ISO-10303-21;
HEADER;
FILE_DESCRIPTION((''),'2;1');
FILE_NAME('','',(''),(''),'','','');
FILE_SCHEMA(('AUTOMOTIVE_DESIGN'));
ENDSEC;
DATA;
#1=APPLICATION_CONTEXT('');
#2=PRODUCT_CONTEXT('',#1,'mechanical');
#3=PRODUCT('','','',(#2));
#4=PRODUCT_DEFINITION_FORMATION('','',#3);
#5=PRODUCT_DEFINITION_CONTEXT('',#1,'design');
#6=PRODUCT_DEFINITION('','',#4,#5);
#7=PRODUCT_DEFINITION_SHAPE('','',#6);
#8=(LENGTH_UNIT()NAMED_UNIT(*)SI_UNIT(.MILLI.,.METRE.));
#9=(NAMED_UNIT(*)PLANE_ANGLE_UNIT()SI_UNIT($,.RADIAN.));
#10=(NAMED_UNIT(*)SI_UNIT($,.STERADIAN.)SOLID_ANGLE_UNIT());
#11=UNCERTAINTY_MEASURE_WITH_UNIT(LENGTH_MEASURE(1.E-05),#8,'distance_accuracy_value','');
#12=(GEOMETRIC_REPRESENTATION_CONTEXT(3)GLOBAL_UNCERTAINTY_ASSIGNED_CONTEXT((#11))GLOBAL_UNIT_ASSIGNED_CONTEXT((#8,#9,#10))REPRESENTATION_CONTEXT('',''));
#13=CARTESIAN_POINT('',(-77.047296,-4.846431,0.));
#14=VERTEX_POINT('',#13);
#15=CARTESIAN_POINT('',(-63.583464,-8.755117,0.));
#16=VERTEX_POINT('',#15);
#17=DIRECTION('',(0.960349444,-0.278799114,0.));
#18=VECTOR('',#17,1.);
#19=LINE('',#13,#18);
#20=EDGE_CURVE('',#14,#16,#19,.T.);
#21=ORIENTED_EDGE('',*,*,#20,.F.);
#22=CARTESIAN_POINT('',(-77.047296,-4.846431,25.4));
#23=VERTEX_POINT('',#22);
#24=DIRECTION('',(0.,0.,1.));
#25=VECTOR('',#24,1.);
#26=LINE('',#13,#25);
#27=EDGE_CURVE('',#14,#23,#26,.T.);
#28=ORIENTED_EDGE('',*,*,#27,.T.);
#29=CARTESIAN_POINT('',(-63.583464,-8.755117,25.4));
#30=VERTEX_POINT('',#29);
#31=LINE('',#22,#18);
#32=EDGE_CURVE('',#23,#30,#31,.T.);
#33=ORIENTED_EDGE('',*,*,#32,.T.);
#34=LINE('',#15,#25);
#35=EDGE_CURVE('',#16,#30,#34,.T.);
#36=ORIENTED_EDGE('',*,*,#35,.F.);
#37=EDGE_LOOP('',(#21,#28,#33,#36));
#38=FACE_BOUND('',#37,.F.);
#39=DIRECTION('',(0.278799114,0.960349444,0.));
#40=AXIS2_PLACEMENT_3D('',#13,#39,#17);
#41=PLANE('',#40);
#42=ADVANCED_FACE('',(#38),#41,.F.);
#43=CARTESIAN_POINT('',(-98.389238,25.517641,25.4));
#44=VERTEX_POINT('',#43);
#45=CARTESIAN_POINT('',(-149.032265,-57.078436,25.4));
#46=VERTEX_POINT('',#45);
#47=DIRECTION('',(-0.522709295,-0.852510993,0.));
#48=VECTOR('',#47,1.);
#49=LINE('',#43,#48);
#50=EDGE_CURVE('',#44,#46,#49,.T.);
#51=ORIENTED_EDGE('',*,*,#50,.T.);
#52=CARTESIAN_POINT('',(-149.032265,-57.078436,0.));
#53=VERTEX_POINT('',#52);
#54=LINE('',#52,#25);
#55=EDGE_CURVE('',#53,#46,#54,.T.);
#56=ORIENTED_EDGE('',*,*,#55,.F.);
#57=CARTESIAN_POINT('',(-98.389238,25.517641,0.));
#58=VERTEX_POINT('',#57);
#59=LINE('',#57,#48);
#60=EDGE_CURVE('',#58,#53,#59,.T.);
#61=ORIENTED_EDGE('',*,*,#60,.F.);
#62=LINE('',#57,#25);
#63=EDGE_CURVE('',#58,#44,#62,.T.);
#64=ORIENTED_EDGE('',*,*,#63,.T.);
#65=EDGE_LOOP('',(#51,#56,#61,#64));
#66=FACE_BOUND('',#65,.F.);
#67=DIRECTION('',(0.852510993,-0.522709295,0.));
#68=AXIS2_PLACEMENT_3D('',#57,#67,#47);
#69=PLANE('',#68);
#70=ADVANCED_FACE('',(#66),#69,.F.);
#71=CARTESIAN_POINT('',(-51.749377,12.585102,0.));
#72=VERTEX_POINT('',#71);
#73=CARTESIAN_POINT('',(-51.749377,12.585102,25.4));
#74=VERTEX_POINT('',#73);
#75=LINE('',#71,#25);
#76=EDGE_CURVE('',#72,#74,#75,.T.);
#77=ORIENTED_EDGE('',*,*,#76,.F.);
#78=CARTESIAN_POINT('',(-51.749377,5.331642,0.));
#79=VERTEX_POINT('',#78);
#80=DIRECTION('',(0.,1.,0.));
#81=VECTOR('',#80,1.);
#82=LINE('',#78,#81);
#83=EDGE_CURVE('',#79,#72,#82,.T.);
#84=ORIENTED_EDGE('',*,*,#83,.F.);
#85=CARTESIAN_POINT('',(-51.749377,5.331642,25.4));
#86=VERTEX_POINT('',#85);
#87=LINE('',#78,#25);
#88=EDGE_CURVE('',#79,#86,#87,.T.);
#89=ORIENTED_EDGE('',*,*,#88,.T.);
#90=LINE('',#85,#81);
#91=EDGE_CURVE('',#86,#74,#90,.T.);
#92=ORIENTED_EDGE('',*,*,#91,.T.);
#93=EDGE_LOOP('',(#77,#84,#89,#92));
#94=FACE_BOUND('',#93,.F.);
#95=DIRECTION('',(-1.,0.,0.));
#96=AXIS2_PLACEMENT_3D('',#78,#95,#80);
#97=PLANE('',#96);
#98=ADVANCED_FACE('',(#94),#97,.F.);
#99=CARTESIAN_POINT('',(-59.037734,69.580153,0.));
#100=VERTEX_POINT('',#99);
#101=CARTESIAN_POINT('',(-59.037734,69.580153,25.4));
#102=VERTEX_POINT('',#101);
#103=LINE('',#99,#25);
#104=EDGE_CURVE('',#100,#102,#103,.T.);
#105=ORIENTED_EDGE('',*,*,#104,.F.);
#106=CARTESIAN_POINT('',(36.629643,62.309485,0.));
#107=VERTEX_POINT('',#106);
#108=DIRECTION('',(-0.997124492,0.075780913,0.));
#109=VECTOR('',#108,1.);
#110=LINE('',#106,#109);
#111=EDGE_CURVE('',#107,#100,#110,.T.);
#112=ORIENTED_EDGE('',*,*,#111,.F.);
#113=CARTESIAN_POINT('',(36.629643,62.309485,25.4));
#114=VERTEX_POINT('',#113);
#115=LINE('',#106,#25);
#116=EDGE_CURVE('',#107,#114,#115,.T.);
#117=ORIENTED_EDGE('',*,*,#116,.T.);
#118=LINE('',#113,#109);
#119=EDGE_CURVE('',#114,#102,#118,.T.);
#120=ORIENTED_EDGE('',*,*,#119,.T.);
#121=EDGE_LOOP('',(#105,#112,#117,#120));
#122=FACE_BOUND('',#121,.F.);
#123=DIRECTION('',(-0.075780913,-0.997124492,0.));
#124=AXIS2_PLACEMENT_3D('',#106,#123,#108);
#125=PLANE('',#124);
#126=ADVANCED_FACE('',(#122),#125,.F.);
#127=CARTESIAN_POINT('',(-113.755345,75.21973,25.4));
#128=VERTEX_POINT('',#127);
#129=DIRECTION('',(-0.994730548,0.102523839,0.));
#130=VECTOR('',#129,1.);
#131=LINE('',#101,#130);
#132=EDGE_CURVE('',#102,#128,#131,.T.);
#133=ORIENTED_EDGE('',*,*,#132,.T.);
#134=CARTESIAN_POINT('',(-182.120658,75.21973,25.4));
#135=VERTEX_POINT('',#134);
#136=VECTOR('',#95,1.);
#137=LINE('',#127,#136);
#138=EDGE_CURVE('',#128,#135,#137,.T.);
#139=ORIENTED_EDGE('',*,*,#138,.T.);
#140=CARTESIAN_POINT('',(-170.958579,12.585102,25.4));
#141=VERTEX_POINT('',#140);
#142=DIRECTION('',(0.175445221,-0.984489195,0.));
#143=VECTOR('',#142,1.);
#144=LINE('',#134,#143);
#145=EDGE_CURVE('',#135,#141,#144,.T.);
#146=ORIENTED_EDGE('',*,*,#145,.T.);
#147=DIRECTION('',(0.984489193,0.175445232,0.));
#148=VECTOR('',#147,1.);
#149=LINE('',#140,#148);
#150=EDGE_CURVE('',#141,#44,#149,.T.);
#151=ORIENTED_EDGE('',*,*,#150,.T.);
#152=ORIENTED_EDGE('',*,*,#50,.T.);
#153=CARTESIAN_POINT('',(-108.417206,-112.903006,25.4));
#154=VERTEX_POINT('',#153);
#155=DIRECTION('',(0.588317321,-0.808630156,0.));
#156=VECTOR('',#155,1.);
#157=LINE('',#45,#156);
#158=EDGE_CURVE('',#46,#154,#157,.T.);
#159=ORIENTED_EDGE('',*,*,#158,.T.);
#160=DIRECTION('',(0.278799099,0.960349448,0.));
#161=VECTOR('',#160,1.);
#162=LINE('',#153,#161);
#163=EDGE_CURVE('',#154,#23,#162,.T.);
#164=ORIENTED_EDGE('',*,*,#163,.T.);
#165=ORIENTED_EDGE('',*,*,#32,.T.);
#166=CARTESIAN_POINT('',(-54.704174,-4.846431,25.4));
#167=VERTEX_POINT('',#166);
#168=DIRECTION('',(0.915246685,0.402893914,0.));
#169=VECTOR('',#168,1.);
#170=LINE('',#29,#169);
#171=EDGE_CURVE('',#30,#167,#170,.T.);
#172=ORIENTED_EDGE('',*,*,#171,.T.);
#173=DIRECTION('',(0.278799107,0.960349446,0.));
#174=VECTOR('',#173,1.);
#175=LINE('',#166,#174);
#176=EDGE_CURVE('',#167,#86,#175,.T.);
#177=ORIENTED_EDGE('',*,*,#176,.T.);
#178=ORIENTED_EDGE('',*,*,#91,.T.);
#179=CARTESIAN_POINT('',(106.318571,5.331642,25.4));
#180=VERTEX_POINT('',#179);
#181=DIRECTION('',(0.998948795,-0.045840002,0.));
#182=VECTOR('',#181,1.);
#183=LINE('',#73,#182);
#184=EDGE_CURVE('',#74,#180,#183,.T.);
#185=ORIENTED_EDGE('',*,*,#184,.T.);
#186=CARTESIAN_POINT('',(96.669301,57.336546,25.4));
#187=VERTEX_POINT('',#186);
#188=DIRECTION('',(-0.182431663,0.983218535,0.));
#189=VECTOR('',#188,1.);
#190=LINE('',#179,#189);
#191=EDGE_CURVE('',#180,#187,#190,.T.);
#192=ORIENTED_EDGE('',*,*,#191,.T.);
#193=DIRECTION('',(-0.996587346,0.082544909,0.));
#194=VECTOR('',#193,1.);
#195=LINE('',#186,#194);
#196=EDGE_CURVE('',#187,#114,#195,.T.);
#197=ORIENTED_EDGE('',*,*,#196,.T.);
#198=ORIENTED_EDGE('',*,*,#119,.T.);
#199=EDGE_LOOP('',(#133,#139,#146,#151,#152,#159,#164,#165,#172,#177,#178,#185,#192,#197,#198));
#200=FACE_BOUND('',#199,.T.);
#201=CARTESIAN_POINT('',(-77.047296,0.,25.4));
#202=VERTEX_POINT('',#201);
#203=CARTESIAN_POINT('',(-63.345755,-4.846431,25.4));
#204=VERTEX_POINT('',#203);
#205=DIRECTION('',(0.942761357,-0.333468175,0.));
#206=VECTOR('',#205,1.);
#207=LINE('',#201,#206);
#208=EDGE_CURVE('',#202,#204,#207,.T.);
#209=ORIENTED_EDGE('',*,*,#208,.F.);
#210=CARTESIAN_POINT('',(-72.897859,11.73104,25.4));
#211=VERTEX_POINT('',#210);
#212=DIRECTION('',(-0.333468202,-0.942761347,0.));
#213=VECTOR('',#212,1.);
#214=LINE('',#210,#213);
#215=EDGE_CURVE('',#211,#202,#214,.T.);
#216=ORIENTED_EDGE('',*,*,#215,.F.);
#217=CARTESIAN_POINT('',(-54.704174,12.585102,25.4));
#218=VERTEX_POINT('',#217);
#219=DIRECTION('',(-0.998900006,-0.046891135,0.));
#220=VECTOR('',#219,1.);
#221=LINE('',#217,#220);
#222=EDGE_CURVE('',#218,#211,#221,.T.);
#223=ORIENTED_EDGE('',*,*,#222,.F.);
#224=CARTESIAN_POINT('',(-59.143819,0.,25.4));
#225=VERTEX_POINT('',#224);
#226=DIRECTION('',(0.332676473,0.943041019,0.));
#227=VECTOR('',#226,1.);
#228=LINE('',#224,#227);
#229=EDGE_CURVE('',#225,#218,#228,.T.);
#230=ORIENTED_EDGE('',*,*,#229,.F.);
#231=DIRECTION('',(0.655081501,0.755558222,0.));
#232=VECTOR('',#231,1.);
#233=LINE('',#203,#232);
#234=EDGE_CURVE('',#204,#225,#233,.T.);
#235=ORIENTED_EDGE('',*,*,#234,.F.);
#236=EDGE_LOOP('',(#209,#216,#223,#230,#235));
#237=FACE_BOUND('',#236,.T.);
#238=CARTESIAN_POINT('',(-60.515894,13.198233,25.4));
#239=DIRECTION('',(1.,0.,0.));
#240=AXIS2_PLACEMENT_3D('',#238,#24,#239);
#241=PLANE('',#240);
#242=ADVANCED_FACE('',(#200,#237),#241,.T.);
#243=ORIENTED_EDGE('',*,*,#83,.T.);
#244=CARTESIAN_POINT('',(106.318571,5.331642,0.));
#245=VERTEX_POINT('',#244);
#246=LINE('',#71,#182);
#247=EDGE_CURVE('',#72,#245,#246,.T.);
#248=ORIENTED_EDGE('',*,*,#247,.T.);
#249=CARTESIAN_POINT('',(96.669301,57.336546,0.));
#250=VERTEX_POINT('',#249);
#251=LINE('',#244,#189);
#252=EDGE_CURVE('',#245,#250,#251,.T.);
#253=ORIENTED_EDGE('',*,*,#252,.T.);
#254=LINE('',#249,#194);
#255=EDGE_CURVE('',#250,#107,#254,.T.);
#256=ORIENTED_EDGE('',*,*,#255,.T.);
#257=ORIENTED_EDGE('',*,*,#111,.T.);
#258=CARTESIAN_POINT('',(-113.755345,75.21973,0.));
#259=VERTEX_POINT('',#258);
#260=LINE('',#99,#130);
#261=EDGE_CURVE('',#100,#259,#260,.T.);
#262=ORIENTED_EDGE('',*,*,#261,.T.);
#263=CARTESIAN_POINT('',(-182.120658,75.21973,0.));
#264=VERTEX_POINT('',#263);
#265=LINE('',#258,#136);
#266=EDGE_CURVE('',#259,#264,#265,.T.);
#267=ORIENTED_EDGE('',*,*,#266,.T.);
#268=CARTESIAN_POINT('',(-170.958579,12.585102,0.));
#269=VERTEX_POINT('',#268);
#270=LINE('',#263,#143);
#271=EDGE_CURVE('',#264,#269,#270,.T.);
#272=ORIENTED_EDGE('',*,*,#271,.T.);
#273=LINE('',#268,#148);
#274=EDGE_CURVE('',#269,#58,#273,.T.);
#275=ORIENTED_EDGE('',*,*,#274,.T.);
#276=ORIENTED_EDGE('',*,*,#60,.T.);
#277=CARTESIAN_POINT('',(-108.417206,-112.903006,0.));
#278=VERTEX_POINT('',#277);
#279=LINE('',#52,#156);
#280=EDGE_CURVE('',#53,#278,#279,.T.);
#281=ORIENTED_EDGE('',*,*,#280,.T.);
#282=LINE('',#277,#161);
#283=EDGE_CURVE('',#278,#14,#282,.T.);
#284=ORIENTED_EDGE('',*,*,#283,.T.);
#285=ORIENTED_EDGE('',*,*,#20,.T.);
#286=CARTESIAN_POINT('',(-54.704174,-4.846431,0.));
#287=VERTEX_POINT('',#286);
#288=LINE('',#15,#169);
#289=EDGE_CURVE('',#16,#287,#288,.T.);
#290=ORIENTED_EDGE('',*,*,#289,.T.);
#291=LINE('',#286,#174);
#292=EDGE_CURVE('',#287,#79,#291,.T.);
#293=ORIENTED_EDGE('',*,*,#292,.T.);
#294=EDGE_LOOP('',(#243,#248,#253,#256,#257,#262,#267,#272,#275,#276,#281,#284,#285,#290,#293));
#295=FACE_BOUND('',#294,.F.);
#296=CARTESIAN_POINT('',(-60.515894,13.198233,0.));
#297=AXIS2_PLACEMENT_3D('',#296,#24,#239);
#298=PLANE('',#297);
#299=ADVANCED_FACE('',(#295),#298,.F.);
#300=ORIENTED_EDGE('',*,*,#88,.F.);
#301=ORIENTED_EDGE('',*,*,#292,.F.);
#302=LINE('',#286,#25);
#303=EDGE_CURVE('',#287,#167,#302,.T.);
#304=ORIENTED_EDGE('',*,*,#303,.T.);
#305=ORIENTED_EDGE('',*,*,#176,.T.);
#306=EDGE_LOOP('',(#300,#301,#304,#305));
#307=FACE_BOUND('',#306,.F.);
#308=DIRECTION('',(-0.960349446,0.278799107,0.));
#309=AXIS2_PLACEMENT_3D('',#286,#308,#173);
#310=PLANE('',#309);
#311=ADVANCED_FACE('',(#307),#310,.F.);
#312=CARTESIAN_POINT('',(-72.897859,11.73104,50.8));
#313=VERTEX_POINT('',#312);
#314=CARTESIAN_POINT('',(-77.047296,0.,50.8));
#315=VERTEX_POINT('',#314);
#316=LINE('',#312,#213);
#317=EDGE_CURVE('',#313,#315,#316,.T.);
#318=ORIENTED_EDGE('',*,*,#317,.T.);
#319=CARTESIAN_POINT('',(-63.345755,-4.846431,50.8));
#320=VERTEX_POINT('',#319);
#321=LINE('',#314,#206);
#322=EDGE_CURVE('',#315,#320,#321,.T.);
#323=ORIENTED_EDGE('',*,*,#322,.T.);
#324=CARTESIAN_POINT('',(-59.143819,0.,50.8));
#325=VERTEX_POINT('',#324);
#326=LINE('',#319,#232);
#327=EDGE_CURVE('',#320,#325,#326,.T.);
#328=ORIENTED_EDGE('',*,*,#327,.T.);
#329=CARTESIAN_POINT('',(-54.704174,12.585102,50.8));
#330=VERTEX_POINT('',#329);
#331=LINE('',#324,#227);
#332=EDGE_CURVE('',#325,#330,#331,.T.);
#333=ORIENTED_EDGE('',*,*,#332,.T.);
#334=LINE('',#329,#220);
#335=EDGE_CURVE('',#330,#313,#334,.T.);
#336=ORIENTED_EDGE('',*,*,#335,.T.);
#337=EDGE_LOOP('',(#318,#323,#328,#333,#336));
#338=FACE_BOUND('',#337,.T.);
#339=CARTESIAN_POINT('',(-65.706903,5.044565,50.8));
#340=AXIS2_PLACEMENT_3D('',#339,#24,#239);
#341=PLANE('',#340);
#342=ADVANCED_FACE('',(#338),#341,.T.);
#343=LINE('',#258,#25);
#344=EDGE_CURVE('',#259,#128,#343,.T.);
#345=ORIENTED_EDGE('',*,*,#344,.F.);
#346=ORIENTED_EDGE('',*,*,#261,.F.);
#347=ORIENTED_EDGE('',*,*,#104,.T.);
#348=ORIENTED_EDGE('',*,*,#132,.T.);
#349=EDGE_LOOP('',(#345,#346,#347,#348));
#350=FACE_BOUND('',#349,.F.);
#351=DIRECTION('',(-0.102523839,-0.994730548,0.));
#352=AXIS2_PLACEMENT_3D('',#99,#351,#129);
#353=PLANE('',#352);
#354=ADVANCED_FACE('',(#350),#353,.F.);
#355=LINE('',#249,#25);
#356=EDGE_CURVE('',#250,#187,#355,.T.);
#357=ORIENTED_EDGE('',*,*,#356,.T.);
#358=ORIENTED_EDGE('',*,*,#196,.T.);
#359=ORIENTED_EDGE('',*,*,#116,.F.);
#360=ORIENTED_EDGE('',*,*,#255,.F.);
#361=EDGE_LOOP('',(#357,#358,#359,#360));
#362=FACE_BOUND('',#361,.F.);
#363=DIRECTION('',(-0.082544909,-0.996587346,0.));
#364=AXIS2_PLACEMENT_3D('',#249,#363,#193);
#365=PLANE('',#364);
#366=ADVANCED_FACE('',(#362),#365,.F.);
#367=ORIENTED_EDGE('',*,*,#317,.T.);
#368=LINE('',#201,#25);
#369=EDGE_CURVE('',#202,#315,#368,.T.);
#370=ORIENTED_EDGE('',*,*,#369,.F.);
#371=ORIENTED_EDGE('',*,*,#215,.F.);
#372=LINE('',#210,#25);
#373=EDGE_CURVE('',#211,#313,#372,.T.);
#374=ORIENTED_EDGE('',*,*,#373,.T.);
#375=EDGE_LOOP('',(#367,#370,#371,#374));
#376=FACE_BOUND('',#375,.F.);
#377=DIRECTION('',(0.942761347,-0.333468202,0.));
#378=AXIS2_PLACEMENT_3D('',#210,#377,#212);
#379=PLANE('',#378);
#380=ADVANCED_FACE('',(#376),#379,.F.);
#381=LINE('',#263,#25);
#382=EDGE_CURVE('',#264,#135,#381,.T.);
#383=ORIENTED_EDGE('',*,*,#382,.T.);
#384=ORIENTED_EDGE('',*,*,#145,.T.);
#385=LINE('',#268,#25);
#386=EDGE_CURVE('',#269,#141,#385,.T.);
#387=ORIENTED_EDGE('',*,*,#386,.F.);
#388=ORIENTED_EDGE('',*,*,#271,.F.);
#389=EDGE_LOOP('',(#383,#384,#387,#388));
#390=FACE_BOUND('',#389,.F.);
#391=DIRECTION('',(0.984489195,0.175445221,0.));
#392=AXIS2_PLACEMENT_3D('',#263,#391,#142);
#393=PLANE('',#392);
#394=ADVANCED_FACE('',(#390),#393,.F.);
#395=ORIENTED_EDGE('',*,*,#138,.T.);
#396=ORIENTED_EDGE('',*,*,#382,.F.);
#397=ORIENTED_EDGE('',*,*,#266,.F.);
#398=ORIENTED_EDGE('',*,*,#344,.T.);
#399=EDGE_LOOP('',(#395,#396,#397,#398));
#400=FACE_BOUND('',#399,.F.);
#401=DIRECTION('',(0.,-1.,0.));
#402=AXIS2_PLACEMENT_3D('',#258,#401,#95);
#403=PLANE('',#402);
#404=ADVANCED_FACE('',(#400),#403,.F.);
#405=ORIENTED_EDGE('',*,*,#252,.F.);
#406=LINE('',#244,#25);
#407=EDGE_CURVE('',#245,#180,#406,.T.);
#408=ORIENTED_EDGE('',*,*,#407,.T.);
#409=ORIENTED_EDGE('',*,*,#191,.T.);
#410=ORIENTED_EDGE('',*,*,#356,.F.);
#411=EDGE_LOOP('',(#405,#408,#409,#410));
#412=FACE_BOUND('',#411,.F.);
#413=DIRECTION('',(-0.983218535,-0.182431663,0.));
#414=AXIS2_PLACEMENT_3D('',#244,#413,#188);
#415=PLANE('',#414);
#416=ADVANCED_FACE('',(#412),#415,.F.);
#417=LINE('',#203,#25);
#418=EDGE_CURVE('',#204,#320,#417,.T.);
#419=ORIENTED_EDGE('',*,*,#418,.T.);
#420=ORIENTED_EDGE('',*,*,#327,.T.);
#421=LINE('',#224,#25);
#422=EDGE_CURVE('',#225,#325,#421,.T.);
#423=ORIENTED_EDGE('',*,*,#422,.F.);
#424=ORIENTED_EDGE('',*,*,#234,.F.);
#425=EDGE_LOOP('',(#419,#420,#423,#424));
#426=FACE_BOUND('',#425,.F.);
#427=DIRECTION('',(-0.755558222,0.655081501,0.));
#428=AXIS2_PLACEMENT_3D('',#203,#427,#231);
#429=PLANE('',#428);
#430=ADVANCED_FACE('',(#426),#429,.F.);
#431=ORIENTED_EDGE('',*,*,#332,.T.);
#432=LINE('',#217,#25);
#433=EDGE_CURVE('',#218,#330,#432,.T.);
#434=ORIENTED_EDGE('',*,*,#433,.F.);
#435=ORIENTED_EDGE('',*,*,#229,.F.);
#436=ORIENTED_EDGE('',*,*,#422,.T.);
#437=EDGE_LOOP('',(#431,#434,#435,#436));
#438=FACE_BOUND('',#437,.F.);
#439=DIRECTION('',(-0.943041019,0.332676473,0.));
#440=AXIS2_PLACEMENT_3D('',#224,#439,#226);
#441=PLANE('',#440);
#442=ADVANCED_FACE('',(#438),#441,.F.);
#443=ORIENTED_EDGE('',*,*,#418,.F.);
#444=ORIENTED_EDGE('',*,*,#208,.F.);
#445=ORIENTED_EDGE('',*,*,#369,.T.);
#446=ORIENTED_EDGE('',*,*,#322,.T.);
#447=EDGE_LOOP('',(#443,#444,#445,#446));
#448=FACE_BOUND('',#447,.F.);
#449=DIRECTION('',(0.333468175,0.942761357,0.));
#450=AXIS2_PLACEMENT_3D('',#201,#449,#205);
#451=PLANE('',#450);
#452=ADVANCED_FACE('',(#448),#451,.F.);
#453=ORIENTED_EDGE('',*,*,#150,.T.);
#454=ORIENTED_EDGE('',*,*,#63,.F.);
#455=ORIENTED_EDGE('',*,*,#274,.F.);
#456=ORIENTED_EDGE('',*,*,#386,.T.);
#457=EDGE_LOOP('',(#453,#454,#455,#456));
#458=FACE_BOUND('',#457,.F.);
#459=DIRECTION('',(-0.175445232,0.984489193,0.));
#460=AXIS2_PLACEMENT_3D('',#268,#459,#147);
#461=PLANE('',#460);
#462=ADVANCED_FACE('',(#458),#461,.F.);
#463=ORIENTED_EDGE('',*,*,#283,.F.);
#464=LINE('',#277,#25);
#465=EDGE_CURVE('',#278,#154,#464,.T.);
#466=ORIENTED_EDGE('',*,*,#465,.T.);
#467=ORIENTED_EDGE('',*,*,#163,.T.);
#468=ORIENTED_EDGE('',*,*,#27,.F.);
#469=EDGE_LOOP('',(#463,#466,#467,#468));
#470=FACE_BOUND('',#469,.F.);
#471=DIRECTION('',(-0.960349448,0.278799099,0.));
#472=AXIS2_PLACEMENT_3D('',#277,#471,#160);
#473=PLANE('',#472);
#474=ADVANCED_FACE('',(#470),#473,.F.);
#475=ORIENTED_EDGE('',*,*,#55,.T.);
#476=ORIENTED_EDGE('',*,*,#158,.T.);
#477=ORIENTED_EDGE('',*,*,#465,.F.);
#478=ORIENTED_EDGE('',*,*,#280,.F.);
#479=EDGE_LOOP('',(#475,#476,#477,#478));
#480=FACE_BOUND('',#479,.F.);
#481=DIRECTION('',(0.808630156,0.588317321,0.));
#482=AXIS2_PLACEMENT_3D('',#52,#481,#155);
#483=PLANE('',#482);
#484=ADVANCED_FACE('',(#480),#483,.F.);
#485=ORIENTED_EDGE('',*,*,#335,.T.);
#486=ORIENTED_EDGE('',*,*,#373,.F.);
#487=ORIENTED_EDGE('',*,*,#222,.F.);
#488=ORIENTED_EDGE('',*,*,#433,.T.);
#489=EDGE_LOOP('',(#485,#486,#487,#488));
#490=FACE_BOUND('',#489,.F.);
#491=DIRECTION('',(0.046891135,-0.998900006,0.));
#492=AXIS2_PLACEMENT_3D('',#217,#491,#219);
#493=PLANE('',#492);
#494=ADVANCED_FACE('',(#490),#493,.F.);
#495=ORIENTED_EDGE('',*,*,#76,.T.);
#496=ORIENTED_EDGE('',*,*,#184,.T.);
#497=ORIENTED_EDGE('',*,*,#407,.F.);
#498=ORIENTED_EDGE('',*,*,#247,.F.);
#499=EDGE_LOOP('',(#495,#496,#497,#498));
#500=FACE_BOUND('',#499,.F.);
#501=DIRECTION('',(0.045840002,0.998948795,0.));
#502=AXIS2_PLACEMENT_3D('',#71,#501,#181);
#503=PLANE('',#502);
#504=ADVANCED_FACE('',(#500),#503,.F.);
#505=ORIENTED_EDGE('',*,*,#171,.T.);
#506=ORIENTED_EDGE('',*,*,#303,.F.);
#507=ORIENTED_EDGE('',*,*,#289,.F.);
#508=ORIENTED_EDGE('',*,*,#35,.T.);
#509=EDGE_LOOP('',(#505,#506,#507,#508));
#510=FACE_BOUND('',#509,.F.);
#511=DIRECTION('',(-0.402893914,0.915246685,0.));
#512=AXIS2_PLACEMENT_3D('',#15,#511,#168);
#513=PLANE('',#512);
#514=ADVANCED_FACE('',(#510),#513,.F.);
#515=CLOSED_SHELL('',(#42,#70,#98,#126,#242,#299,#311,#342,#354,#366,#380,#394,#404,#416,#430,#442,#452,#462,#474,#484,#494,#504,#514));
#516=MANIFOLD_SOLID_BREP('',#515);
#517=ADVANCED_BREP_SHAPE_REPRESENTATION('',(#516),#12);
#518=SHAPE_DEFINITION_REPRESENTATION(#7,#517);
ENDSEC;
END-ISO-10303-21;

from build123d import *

# Parameters (mm, degrees)
F1_DEPTH = 25.4
F3_DEPTH = 25.4


with BuildPart() as f1:
    # F0 (on Top) → F1 (new body)
    with BuildSketch(Plane.XY):
        Polygon((-170.958579, 12.585102), (-98.389238, 25.517641), (-149.032265, -57.078436), (-108.417206, -112.903006), (-77.047296, -4.846431), (-74.092499, 5.331642), (-51.749377, 5.331642), (-51.749377, 12.585102), (106.318571, 5.331642), (96.669301, 57.336546), (36.629643, 62.309485), (-59.037734, 69.580153), (-113.755345, 75.21973), (-182.120658, 75.21973), align=None)
        Polygon((-74.092499, 5.331642), (-77.047296, -4.846431), (-63.583464, -8.755117), (-54.704174, -4.846431), (-51.749377, 5.331642), align=None)
    extrude(amount=F1_DEPTH)

    # F2 (on face) → F3 (join)
    with BuildSketch(Plane.XY.offset(25.4)):
        Polygon((-54.704174, 12.585102), (-72.897859, 11.73104), (-77.047296, 0), (-63.345755, -4.846431), (-59.143819, 0), align=None)
    extrude(amount=F3_DEPTH)


solid = f1.part
